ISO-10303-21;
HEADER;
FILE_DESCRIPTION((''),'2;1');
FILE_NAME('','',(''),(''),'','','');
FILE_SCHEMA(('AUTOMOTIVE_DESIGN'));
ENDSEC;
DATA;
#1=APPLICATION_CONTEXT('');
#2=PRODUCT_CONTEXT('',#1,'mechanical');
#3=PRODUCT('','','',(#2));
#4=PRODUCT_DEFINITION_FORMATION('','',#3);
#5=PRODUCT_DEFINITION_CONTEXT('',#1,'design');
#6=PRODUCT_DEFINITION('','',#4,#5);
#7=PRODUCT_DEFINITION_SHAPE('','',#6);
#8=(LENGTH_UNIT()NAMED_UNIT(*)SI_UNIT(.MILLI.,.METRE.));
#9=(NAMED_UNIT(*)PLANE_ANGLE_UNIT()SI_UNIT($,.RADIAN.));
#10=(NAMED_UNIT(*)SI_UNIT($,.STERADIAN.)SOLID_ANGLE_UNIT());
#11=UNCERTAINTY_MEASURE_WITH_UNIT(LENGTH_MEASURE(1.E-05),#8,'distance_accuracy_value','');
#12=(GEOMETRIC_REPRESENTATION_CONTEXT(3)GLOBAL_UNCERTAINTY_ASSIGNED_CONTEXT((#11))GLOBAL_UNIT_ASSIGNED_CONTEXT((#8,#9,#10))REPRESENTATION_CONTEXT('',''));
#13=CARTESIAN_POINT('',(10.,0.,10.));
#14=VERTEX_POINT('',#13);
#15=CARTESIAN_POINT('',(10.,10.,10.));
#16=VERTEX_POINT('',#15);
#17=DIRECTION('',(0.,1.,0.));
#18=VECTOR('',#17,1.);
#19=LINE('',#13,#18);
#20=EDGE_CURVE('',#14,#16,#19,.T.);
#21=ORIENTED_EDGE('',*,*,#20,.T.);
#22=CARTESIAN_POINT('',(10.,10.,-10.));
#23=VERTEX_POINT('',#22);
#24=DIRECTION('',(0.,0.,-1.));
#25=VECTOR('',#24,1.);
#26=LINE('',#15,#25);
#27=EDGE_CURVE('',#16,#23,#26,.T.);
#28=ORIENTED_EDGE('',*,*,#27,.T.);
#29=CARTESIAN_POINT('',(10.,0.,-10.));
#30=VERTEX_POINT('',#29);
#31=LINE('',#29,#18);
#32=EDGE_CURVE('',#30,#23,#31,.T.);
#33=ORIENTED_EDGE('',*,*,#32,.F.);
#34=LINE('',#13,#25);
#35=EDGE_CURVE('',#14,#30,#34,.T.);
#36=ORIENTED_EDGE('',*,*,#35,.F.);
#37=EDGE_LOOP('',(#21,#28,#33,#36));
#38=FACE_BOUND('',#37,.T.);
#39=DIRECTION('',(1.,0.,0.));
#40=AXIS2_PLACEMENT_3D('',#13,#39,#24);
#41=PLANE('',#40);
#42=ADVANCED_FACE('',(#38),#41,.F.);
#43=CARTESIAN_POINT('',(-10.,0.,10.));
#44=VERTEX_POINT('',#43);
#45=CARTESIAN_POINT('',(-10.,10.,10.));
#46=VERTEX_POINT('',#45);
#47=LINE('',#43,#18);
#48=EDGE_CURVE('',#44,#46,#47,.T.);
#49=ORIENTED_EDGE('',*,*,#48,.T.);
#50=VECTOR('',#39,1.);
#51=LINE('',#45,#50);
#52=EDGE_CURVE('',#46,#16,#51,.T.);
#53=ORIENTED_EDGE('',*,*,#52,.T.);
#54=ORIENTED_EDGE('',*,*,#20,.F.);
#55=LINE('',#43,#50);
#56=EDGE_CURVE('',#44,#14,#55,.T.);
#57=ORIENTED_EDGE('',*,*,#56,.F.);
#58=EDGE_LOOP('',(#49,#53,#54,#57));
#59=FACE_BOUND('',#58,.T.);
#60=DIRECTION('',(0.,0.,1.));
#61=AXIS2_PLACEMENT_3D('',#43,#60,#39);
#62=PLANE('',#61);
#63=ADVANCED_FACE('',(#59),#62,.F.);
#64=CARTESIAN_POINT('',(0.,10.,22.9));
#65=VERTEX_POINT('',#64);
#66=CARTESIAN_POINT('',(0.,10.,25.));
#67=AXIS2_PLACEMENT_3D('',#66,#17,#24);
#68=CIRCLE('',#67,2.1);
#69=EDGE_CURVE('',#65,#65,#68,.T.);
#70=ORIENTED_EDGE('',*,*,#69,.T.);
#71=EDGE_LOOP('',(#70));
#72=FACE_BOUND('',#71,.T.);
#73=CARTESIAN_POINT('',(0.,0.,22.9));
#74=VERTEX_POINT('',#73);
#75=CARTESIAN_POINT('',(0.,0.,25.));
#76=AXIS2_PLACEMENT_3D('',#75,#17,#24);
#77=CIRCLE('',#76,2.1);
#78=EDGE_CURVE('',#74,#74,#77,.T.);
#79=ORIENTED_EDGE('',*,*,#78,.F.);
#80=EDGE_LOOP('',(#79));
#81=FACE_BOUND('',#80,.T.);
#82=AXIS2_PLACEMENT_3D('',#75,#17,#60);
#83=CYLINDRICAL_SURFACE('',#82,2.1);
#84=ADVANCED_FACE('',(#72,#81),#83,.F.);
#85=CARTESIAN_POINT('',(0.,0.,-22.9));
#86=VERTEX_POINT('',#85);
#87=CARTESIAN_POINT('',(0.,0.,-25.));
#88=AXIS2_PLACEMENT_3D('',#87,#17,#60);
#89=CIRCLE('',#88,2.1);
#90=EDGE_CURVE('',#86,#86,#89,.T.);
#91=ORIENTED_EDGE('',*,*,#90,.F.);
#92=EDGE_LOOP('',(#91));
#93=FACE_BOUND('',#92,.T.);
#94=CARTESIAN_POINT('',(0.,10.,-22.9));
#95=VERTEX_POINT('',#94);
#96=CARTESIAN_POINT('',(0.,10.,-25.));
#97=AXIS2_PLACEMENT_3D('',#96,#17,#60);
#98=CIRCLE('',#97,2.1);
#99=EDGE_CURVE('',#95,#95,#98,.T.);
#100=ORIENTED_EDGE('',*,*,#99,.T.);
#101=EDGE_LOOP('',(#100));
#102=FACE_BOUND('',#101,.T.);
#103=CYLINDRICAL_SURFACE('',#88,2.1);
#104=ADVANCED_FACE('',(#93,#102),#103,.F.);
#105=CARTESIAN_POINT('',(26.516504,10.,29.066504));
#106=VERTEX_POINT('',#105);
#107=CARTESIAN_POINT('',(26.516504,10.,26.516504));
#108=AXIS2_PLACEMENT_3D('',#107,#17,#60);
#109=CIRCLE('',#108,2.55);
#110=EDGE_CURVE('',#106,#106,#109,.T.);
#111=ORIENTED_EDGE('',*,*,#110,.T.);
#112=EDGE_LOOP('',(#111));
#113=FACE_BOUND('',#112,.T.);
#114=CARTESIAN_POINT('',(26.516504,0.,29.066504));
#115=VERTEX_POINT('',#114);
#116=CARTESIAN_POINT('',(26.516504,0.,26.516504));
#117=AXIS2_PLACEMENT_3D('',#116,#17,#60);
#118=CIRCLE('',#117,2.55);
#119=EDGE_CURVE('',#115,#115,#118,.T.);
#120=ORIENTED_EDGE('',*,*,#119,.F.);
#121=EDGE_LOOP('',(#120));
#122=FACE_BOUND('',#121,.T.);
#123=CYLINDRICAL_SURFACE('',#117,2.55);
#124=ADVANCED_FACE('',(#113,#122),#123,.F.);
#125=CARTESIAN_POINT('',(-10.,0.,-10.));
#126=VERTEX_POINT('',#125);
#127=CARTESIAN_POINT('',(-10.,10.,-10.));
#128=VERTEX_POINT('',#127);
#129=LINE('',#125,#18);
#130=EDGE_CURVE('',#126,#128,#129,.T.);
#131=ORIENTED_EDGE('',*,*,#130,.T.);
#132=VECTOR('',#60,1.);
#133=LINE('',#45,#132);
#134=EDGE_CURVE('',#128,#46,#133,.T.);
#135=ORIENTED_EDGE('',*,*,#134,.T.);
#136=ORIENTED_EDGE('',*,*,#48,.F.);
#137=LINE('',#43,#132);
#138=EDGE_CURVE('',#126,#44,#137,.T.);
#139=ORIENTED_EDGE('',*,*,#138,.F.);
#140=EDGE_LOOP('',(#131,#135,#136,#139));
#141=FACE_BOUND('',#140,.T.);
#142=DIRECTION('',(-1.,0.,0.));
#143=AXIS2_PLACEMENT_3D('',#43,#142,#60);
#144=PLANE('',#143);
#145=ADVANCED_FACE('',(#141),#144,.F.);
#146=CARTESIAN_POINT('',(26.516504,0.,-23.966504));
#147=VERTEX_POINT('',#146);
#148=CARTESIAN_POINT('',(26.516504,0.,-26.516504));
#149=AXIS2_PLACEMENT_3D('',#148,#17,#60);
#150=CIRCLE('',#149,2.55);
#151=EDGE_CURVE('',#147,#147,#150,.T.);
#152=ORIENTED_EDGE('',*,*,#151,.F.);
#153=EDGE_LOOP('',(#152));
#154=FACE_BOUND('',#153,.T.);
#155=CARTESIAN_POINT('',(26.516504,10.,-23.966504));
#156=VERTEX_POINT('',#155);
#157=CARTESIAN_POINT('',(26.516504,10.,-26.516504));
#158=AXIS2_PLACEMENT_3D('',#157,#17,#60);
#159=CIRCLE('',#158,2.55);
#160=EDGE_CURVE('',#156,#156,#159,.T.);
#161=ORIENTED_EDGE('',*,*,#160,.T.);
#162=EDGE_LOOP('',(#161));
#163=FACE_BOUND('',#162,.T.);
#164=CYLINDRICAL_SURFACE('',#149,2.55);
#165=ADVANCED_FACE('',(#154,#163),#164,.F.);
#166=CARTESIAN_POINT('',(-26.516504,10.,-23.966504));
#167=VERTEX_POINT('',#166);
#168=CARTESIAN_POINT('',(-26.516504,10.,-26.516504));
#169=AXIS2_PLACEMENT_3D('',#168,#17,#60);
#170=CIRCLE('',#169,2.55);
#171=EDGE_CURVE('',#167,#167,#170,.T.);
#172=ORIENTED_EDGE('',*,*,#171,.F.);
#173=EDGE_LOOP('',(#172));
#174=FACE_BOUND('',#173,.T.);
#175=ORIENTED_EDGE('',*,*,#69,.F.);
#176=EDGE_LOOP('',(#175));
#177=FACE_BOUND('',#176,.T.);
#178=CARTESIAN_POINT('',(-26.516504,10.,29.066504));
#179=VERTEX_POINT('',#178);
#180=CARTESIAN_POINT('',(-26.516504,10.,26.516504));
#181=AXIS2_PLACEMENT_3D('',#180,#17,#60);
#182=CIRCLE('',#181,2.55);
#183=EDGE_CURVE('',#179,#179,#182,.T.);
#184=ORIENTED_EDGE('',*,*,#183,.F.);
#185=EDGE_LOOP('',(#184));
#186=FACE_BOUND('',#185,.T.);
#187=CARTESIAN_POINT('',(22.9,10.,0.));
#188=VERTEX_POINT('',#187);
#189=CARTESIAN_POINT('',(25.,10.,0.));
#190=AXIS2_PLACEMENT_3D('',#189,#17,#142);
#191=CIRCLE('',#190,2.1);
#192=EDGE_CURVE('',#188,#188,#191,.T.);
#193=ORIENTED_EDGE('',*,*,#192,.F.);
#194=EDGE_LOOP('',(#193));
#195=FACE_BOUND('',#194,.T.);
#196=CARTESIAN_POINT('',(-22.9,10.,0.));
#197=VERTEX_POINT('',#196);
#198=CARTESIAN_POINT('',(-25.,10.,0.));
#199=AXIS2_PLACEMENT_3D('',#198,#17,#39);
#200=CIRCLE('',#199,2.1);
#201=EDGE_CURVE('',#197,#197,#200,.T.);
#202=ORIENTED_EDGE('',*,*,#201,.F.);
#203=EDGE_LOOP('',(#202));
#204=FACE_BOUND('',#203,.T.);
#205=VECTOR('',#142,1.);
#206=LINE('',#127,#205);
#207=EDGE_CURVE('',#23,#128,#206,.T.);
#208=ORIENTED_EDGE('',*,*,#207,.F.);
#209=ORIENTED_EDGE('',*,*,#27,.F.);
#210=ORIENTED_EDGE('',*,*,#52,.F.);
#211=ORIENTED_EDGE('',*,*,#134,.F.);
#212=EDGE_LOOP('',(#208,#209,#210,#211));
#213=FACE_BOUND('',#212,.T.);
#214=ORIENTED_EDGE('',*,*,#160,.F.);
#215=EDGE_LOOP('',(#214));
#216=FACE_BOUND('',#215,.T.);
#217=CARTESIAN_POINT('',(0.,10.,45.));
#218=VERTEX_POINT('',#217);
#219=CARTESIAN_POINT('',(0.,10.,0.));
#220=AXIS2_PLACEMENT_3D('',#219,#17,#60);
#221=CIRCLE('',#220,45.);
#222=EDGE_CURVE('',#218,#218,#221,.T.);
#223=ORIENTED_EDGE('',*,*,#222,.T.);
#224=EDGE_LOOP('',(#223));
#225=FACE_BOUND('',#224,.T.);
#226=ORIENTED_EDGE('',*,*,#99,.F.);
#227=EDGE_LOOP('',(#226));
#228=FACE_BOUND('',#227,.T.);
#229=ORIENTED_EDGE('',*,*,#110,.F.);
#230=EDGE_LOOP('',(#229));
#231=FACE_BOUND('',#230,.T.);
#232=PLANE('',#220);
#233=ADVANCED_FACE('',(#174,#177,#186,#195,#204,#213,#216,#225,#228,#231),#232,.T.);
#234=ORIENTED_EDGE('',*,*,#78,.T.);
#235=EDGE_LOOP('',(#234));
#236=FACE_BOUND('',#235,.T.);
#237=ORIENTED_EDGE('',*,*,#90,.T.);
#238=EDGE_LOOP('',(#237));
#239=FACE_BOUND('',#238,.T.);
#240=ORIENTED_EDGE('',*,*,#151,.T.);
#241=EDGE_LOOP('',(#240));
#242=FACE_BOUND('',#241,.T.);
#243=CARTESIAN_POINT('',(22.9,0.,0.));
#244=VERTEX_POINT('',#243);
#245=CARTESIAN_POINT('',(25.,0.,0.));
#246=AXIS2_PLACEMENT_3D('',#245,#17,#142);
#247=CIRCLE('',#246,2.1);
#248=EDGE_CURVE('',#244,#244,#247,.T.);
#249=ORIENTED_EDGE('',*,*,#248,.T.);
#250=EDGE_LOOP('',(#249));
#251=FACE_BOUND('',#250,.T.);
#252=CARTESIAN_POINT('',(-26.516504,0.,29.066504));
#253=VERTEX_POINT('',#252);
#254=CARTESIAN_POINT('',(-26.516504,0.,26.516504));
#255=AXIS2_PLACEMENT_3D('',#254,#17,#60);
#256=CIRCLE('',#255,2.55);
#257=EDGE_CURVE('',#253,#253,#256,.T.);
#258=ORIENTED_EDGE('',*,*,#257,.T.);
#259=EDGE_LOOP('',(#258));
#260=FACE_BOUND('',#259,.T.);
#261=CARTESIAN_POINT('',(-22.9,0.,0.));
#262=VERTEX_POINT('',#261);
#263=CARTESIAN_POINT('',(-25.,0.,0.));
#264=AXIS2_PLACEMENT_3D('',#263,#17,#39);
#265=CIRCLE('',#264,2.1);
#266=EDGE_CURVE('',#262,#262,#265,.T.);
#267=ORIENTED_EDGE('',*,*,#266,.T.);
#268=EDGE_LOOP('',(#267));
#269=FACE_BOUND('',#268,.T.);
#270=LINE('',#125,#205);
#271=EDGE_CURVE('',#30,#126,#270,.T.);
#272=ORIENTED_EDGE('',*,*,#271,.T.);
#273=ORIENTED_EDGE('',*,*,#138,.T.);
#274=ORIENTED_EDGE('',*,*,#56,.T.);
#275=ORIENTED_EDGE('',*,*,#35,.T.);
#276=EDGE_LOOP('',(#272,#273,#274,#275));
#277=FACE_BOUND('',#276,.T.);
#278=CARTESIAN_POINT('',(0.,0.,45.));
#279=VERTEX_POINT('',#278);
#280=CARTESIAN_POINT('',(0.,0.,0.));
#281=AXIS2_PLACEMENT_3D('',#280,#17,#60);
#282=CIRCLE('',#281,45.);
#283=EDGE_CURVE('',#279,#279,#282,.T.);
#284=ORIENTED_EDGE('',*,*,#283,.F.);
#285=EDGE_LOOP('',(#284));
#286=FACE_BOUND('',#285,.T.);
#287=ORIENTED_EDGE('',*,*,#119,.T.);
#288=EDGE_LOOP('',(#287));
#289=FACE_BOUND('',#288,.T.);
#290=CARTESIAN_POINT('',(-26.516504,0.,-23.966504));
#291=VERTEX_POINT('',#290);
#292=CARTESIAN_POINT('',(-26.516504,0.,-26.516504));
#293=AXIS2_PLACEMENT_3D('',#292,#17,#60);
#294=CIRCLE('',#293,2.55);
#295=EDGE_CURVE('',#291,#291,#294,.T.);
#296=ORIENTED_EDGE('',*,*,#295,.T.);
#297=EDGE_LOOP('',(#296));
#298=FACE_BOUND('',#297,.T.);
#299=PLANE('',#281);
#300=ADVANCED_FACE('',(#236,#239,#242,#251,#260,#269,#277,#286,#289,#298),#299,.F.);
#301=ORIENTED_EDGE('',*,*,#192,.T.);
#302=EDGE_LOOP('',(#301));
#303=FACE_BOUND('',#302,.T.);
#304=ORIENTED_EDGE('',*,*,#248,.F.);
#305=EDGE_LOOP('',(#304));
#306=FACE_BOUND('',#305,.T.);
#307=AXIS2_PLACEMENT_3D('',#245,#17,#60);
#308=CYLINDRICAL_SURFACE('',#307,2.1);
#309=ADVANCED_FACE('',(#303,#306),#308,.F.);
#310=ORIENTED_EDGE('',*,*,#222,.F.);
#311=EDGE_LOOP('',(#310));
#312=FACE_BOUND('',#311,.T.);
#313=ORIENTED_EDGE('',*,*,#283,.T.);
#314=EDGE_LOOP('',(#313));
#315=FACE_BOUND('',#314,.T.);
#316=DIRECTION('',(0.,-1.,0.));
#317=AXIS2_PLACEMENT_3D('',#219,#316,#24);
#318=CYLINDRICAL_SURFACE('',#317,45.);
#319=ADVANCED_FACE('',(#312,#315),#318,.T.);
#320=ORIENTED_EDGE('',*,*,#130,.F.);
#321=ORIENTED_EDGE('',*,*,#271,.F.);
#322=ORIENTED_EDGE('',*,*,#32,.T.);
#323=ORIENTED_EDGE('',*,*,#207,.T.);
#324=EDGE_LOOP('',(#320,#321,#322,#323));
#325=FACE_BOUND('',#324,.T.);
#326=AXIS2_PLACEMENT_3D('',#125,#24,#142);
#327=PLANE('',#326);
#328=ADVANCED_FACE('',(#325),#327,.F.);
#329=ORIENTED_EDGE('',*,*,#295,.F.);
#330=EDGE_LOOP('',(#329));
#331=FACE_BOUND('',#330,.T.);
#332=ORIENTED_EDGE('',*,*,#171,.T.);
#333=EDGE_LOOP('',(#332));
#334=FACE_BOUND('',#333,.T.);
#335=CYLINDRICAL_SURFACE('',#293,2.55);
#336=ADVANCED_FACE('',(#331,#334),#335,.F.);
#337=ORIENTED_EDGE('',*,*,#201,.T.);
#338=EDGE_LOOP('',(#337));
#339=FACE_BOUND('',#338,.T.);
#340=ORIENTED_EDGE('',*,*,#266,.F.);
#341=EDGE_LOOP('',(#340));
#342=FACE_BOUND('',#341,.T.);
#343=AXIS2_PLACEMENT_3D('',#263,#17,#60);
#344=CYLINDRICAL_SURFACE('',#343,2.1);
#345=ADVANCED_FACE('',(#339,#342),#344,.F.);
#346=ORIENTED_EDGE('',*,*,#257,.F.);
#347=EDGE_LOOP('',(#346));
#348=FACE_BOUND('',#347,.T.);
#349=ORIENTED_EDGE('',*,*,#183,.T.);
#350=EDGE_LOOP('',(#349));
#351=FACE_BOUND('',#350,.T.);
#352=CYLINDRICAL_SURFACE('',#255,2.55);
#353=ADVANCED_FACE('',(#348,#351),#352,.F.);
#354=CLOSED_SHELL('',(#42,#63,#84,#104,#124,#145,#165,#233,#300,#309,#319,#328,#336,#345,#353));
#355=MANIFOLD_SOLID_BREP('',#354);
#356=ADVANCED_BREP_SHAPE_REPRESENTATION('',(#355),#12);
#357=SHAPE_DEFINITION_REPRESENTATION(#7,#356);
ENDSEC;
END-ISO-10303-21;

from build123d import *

# Parameters (mm, degrees)
SKETCH1_R           = 45
BOSS_EXTRUDE1_DEPTH = 10
SKETCH3_R           = 2.1
CUT_EXTRUDE2_DEPTH  = 65.420493634
CIRPATTERN1_COUNT   = 4
SKETCH4_W           = 20
SKETCH4_H           = 20
CUT_EXTRUDE3_DEPTH  = 10
SKETCH6_R           = 2.55
CUT_EXTRUDE4_DEPTH  = 65.420493634


with BuildPart() as part:
    # Sketch1 → Boss-Extrude1 (new body)
    with BuildSketch(Plane(origin=(0, 0, 0), x_dir=(1, 0, 0), z_dir=(0, 1, 0))):
        with Locations(Location((0, 0, 0), (0, 0, 270))):
            Circle(SKETCH1_R)
    extrude(amount=BOSS_EXTRUDE1_DEPTH)

    # Sketch3 → Cut-Extrude2 (cut, through all)
    with BuildSketch(Plane(origin=(0, 10, 0), x_dir=(1, 0, 0), z_dir=(0, 1, 0))):
        with Locations(Location((0, 25, 0), (0, 0, 270))):
            Circle(SKETCH3_R)
    cut_extrude2 = extrude(amount=-CUT_EXTRUDE2_DEPTH, mode=Mode.SUBTRACT)

    # CirPattern1: Cut-Extrude2 ×4 about axis
    cirpattern1_axis = Axis((0, 0, 0), (0, 1, 0))
    for i in range(1, CIRPATTERN1_COUNT):
        add(cut_extrude2.rotate(cirpattern1_axis, i * 360 / CIRPATTERN1_COUNT), mode=Mode.SUBTRACT)

    # Sketch4 → Cut-Extrude3 (cut)
    with BuildSketch(Plane(origin=(0, 10, 0), x_dir=(1, 0, 0), z_dir=(0, 1, 0))):
        Rectangle(SKETCH4_W, SKETCH4_H)
    extrude(amount=-CUT_EXTRUDE3_DEPTH, mode=Mode.SUBTRACT)

    # Sketch6 → Cut-Extrude4 (cut, through all)
    with BuildSketch(Plane(origin=(0, 10, 0), x_dir=(1, 0, 0), z_dir=(0, 1, 0))):
        with Locations(Location((-26.516504294, 26.516504294, 0), (0, 0, 270))):
            Circle(SKETCH6_R)
        with Locations(Location((26.516504294, 26.516504294, 0), (0, 0, 270))):
            Circle(SKETCH6_R)
        with Locations(Location((26.516504294, -26.516504294, 0), (0, 0, 270))):
            Circle(SKETCH6_R)
        with Locations(Location((-26.516504294, -26.516504294, 0), (0, 0, 270))):
            Circle(SKETCH6_R)
    extrude(amount=-CUT_EXTRUDE4_DEPTH, mode=Mode.SUBTRACT)


solid = part.part
